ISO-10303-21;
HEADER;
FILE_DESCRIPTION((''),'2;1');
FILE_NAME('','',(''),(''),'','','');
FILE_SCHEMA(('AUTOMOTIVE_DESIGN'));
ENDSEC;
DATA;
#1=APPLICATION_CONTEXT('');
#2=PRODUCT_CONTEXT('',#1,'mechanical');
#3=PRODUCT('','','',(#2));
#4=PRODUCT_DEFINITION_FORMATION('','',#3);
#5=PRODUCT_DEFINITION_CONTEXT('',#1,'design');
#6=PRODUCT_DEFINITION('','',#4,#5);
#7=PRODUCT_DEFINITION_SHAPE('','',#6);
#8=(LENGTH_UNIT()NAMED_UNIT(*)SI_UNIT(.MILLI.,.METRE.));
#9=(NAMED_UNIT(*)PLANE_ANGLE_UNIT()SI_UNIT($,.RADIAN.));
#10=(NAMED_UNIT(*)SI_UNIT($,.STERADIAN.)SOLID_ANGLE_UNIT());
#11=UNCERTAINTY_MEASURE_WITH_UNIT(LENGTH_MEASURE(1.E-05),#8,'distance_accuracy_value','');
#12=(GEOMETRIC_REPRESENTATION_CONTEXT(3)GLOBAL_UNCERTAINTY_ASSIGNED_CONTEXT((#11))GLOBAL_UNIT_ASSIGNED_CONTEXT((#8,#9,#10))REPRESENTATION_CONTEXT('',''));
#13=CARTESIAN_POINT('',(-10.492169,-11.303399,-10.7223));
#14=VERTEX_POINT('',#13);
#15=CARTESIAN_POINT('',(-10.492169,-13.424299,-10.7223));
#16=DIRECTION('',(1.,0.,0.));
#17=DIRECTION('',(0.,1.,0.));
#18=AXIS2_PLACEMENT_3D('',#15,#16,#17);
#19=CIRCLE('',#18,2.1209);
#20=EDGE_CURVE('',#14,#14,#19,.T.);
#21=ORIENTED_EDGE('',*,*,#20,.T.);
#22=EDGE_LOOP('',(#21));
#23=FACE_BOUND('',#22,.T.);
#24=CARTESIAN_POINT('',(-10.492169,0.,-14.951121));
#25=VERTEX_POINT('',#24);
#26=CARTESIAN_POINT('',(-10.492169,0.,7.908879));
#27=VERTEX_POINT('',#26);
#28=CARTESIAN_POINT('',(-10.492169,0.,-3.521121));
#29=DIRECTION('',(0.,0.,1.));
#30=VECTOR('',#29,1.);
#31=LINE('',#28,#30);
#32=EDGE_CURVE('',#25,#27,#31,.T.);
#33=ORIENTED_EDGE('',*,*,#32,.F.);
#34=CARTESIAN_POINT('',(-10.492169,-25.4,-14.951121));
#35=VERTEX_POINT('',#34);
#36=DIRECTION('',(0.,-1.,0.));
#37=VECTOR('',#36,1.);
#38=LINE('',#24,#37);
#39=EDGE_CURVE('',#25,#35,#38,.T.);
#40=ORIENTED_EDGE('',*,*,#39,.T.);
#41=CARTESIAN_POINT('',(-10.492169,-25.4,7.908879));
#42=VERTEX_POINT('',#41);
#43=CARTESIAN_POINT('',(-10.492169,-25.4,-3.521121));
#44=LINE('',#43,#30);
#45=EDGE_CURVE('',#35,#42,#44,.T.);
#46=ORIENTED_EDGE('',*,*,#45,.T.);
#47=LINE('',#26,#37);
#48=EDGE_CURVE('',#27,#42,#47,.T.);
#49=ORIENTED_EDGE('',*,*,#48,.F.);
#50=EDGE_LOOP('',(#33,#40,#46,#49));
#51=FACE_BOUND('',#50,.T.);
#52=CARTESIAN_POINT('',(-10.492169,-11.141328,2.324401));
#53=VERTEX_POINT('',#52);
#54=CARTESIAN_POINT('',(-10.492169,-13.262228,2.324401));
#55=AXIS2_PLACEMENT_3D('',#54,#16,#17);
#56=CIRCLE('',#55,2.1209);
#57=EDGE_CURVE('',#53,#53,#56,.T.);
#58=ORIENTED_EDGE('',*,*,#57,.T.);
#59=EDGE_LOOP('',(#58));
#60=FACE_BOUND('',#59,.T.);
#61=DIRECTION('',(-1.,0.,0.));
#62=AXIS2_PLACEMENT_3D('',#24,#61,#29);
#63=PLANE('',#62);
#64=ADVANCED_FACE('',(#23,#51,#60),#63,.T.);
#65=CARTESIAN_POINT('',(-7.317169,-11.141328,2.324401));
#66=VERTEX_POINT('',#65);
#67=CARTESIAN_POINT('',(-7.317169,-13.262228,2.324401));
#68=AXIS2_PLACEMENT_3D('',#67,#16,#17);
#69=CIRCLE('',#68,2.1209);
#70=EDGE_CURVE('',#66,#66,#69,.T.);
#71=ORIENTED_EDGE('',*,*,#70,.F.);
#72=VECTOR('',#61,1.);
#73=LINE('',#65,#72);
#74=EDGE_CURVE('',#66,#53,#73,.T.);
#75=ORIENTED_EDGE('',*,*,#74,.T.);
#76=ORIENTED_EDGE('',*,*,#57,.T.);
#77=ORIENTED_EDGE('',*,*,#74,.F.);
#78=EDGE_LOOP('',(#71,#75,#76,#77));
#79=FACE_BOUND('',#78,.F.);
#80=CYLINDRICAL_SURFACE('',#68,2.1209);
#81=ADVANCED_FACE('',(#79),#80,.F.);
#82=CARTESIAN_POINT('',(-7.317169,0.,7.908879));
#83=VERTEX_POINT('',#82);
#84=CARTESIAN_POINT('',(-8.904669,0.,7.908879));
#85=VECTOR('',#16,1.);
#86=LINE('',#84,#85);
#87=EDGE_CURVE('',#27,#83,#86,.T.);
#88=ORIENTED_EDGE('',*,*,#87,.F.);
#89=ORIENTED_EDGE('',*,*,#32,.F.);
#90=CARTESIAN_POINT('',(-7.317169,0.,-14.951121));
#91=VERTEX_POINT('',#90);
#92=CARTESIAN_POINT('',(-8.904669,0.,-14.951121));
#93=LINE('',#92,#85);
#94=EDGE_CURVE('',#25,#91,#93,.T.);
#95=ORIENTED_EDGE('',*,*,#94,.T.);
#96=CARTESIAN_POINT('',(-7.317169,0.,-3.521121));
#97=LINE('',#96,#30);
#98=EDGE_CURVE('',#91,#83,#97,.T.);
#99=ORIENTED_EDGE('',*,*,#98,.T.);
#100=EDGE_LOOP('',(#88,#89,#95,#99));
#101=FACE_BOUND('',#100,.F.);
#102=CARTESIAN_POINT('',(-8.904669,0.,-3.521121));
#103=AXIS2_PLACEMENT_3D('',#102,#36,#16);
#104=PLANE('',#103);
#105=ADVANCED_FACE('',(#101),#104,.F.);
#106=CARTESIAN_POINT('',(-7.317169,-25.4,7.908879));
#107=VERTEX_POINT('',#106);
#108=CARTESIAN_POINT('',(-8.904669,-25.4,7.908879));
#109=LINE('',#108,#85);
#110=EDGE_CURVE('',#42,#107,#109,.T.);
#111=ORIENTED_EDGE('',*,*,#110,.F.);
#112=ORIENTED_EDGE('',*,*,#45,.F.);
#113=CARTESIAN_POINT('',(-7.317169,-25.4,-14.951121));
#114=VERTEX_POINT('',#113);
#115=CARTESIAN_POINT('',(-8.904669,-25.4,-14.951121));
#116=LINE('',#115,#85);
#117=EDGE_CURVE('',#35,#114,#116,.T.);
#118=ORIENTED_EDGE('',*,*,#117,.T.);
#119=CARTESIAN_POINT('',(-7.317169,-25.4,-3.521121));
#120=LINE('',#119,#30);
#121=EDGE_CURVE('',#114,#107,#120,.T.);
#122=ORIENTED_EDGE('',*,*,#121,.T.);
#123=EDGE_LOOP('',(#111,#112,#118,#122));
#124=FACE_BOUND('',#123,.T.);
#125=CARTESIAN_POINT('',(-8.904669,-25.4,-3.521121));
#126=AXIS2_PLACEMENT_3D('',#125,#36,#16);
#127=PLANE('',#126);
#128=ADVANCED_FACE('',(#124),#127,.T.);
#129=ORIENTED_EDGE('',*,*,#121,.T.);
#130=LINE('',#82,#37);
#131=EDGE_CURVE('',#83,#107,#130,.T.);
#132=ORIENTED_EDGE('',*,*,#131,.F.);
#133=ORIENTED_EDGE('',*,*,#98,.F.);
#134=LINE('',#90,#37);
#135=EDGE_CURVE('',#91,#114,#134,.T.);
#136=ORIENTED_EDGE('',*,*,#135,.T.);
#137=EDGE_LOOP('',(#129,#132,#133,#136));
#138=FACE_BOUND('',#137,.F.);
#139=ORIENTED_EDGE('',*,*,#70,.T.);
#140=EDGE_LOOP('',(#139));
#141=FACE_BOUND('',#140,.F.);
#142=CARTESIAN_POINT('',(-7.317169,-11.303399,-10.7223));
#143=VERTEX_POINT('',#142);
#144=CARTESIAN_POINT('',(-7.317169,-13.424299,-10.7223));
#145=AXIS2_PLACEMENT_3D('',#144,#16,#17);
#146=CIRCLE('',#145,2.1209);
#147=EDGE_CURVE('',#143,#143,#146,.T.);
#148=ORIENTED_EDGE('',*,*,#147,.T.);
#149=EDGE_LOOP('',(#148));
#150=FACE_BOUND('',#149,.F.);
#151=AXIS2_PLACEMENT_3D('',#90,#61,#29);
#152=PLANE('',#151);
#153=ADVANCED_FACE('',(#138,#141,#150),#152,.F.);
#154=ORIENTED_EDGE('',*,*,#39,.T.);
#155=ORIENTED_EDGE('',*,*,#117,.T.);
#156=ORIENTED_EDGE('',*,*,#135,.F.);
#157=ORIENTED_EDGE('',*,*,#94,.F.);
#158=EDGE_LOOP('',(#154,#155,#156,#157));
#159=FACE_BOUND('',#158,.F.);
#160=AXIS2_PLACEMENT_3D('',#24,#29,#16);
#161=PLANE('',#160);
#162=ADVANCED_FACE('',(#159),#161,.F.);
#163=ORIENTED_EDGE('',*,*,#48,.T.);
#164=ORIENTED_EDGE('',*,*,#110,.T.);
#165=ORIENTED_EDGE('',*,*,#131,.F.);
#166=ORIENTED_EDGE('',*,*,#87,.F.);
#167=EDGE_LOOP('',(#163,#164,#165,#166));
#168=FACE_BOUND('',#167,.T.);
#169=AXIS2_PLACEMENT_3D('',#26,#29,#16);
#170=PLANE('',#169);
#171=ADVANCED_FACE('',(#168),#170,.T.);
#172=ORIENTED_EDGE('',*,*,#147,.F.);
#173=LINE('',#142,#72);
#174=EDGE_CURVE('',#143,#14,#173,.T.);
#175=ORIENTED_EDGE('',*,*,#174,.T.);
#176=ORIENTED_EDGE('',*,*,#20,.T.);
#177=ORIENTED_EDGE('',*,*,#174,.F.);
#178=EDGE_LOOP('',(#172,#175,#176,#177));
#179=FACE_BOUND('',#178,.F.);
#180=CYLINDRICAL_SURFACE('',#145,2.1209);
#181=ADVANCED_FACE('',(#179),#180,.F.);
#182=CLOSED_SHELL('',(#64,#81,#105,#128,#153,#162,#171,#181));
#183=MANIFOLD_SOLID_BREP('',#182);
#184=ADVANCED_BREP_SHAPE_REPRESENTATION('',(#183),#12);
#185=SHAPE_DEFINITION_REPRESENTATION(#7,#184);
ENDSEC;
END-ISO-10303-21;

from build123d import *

# Parameters (mm, degrees)
F0_W     = 3.175
F0_H     = 22.86
F1_DEPTH = 25.4
F2_R     = 2.1209
F3_DEPTH = 4.2418


with BuildPart() as f1:
    # F0 (on Front) → F1 (new body)
    with BuildSketch(Plane.XZ):
        with Locations((-8.904669, -3.521121)):
            Rectangle(F0_W, F0_H)
    extrude(amount=F1_DEPTH)

    # F2 (on face) → F3 (cut)
    with BuildSketch(Plane.YZ.offset(-7.317169)):
        with Locations((-13.262228, 2.324401)):
            Circle(F2_R)
        with Locations((-13.424299, -10.7223)):
            Circle(F2_R)
    extrude(amount=-F3_DEPTH, mode=Mode.SUBTRACT)


solid = f1.part
